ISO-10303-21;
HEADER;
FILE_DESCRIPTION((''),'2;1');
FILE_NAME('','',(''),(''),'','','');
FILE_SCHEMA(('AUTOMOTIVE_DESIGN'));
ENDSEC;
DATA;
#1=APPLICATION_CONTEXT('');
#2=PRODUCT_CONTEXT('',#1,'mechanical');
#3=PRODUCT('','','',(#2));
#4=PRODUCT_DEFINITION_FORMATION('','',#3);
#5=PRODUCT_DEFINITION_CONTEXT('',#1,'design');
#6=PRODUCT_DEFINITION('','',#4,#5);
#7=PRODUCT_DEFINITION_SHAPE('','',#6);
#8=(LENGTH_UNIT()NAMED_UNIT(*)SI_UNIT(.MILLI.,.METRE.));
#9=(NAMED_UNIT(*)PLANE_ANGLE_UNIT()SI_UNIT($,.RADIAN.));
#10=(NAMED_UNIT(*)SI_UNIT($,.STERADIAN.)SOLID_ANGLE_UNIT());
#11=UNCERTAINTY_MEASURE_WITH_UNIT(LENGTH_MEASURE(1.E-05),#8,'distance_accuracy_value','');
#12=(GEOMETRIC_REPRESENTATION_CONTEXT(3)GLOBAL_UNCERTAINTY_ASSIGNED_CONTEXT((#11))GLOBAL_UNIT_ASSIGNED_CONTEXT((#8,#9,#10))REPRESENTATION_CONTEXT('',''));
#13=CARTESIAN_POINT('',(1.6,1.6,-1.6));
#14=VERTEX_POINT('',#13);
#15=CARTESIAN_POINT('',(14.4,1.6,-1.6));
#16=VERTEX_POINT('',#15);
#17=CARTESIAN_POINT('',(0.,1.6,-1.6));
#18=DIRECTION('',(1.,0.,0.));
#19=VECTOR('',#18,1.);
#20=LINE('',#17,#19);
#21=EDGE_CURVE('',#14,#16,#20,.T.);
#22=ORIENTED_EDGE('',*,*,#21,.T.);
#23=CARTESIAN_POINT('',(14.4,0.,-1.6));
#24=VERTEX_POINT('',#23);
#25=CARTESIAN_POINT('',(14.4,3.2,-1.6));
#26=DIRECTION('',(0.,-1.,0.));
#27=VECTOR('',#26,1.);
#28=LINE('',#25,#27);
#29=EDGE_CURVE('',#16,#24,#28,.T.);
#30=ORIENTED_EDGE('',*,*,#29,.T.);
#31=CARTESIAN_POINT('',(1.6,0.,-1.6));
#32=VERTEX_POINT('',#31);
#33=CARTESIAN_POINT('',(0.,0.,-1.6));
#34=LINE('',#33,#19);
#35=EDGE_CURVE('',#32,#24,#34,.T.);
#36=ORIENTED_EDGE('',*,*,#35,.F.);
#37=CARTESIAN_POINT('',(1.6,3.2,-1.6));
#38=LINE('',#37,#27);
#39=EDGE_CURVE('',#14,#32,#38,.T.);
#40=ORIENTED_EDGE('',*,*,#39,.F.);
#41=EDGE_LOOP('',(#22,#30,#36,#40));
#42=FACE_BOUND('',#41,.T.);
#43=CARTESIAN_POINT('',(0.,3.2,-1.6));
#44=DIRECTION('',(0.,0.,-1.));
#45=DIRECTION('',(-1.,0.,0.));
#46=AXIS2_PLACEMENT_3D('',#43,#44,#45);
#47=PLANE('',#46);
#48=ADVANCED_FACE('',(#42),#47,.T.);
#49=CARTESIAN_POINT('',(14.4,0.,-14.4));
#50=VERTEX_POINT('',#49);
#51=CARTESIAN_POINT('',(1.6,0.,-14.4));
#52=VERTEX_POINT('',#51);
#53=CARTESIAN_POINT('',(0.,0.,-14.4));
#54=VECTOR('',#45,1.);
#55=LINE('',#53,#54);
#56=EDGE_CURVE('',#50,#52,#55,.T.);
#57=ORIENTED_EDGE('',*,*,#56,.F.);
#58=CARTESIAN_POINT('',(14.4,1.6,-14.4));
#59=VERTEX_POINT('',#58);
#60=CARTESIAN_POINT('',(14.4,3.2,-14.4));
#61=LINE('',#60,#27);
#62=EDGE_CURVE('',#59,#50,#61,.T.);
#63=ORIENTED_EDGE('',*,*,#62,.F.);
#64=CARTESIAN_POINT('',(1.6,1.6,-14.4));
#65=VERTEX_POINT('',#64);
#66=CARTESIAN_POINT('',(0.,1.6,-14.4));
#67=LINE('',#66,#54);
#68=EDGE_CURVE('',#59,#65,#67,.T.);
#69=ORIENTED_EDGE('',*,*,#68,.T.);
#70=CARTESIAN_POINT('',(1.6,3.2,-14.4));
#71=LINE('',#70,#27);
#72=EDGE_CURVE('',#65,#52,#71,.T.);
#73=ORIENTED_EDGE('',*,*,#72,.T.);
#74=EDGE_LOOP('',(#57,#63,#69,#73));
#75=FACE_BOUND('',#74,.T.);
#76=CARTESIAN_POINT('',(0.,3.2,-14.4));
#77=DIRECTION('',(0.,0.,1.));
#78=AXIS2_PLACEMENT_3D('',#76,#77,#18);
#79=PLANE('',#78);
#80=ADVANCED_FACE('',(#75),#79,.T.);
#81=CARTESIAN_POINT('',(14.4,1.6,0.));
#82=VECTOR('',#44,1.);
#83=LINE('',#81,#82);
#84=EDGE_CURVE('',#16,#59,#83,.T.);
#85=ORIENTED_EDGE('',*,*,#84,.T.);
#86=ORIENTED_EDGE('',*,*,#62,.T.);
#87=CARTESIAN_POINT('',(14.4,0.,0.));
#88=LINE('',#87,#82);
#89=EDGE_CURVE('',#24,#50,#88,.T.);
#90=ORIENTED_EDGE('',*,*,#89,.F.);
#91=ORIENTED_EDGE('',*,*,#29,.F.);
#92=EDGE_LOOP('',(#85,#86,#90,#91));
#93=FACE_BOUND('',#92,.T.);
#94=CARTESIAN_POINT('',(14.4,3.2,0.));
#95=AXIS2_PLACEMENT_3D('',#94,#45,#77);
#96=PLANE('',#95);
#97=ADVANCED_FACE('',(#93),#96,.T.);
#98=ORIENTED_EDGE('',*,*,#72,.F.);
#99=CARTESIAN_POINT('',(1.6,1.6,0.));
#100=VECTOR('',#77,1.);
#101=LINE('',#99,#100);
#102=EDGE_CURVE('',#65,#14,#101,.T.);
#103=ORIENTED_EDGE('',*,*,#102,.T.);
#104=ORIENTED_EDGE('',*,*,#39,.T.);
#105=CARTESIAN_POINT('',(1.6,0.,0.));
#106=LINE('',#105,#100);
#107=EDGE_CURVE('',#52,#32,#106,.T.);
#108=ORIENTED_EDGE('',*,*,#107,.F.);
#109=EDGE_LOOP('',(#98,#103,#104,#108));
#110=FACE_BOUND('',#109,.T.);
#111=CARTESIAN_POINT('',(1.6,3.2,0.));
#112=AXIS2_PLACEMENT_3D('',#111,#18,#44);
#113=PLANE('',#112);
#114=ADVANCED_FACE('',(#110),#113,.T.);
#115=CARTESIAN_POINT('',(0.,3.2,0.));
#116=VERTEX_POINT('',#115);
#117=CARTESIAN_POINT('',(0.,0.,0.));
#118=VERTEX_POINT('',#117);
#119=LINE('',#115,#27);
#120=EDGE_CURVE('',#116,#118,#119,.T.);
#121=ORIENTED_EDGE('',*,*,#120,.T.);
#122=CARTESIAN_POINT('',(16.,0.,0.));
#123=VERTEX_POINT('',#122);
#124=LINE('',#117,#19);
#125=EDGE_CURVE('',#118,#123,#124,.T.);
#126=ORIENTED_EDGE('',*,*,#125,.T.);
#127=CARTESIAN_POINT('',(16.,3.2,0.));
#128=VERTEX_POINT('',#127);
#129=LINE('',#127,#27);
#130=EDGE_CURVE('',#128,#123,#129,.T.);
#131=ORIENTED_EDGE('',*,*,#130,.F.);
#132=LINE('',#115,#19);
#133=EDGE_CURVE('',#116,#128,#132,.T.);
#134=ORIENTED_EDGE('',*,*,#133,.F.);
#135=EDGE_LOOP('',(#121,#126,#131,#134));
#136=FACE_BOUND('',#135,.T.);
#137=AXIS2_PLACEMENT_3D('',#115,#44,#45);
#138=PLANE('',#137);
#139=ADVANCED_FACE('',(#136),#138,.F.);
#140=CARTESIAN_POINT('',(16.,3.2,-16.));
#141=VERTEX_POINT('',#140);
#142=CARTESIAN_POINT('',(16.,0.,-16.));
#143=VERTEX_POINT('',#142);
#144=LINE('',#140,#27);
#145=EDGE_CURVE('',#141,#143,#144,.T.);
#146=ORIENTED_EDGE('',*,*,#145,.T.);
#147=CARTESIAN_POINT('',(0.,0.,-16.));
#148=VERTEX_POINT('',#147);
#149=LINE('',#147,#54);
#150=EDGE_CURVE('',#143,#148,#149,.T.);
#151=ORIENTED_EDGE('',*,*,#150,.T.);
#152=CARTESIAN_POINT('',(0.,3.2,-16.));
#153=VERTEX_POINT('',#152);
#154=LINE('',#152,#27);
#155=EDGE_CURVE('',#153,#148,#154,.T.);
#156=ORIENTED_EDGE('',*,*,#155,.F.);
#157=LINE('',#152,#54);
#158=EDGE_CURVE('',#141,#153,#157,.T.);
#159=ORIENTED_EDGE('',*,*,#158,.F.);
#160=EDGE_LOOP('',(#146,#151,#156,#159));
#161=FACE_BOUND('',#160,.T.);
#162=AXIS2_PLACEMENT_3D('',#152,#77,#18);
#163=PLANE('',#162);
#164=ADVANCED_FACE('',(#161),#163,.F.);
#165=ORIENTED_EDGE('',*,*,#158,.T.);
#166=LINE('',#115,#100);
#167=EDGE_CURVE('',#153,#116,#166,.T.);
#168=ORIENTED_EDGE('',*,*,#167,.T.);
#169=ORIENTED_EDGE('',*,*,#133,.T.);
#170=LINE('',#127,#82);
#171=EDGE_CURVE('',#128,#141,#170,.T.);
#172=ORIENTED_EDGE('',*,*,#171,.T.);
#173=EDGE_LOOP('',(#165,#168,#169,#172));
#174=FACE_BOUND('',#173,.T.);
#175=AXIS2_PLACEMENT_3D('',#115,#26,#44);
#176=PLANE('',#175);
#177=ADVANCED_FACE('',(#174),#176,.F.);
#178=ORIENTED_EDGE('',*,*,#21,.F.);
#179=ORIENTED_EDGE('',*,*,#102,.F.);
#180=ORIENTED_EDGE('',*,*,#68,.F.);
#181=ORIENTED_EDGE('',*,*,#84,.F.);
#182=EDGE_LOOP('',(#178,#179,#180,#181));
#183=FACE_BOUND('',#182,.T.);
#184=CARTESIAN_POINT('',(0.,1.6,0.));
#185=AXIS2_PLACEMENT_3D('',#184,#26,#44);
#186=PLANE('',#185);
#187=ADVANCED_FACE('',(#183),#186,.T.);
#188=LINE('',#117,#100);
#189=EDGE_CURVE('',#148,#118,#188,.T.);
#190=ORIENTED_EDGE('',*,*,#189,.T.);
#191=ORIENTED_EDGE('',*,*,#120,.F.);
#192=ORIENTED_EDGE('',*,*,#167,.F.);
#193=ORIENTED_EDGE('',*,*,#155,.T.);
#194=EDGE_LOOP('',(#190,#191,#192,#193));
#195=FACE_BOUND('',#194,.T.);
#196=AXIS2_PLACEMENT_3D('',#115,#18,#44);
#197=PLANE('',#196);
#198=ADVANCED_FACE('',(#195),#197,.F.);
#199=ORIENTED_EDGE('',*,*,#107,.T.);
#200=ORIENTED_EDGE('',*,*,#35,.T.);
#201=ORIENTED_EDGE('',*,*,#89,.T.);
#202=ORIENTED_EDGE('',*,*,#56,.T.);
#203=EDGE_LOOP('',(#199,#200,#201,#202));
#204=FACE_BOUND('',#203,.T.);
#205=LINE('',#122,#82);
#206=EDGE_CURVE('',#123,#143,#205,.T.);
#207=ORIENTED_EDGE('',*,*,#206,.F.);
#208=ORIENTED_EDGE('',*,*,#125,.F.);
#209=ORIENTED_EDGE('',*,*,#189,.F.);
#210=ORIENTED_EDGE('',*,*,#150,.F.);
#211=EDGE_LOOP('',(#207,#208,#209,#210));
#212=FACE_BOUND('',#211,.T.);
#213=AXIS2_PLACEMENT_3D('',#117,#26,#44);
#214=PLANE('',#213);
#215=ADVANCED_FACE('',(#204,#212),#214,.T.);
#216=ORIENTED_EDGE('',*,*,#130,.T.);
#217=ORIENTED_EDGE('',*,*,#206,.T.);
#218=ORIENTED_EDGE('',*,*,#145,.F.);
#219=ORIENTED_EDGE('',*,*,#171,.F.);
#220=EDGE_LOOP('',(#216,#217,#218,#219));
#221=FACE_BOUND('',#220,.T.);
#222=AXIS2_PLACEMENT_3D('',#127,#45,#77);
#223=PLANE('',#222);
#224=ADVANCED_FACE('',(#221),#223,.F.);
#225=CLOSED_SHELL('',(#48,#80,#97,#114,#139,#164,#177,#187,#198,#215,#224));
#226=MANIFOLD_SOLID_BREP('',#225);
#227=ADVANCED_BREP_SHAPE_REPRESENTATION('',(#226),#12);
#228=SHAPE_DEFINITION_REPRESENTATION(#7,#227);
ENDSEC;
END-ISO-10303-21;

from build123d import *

# Parameters (mm, degrees)
SKETCH1_W           = 16
SKETCH1_H           = 16
BOSS_EXTRUDE1_DEPTH = 3.2
SHELL1_T            = -1.6


with BuildPart() as part:
    # Sketch1 → Boss-Extrude1 (new body)
    with BuildSketch(Plane(origin=(0, 0, 0), x_dir=(1, 0, 0), z_dir=(0, 1, 0))):
        with Locations((8, 8)):
            Rectangle(SKETCH1_W, SKETCH1_H)
    extrude(amount=BOSS_EXTRUDE1_DEPTH)

    # Shell1
    shell1_openings = [part.faces().sort_by_distance(p)[0] for p in [
        (8, 0, -8),
    ]]
    offset(amount=SHELL1_T, openings=shell1_openings, kind=Kind.INTERSECTION)


solid = part.part
